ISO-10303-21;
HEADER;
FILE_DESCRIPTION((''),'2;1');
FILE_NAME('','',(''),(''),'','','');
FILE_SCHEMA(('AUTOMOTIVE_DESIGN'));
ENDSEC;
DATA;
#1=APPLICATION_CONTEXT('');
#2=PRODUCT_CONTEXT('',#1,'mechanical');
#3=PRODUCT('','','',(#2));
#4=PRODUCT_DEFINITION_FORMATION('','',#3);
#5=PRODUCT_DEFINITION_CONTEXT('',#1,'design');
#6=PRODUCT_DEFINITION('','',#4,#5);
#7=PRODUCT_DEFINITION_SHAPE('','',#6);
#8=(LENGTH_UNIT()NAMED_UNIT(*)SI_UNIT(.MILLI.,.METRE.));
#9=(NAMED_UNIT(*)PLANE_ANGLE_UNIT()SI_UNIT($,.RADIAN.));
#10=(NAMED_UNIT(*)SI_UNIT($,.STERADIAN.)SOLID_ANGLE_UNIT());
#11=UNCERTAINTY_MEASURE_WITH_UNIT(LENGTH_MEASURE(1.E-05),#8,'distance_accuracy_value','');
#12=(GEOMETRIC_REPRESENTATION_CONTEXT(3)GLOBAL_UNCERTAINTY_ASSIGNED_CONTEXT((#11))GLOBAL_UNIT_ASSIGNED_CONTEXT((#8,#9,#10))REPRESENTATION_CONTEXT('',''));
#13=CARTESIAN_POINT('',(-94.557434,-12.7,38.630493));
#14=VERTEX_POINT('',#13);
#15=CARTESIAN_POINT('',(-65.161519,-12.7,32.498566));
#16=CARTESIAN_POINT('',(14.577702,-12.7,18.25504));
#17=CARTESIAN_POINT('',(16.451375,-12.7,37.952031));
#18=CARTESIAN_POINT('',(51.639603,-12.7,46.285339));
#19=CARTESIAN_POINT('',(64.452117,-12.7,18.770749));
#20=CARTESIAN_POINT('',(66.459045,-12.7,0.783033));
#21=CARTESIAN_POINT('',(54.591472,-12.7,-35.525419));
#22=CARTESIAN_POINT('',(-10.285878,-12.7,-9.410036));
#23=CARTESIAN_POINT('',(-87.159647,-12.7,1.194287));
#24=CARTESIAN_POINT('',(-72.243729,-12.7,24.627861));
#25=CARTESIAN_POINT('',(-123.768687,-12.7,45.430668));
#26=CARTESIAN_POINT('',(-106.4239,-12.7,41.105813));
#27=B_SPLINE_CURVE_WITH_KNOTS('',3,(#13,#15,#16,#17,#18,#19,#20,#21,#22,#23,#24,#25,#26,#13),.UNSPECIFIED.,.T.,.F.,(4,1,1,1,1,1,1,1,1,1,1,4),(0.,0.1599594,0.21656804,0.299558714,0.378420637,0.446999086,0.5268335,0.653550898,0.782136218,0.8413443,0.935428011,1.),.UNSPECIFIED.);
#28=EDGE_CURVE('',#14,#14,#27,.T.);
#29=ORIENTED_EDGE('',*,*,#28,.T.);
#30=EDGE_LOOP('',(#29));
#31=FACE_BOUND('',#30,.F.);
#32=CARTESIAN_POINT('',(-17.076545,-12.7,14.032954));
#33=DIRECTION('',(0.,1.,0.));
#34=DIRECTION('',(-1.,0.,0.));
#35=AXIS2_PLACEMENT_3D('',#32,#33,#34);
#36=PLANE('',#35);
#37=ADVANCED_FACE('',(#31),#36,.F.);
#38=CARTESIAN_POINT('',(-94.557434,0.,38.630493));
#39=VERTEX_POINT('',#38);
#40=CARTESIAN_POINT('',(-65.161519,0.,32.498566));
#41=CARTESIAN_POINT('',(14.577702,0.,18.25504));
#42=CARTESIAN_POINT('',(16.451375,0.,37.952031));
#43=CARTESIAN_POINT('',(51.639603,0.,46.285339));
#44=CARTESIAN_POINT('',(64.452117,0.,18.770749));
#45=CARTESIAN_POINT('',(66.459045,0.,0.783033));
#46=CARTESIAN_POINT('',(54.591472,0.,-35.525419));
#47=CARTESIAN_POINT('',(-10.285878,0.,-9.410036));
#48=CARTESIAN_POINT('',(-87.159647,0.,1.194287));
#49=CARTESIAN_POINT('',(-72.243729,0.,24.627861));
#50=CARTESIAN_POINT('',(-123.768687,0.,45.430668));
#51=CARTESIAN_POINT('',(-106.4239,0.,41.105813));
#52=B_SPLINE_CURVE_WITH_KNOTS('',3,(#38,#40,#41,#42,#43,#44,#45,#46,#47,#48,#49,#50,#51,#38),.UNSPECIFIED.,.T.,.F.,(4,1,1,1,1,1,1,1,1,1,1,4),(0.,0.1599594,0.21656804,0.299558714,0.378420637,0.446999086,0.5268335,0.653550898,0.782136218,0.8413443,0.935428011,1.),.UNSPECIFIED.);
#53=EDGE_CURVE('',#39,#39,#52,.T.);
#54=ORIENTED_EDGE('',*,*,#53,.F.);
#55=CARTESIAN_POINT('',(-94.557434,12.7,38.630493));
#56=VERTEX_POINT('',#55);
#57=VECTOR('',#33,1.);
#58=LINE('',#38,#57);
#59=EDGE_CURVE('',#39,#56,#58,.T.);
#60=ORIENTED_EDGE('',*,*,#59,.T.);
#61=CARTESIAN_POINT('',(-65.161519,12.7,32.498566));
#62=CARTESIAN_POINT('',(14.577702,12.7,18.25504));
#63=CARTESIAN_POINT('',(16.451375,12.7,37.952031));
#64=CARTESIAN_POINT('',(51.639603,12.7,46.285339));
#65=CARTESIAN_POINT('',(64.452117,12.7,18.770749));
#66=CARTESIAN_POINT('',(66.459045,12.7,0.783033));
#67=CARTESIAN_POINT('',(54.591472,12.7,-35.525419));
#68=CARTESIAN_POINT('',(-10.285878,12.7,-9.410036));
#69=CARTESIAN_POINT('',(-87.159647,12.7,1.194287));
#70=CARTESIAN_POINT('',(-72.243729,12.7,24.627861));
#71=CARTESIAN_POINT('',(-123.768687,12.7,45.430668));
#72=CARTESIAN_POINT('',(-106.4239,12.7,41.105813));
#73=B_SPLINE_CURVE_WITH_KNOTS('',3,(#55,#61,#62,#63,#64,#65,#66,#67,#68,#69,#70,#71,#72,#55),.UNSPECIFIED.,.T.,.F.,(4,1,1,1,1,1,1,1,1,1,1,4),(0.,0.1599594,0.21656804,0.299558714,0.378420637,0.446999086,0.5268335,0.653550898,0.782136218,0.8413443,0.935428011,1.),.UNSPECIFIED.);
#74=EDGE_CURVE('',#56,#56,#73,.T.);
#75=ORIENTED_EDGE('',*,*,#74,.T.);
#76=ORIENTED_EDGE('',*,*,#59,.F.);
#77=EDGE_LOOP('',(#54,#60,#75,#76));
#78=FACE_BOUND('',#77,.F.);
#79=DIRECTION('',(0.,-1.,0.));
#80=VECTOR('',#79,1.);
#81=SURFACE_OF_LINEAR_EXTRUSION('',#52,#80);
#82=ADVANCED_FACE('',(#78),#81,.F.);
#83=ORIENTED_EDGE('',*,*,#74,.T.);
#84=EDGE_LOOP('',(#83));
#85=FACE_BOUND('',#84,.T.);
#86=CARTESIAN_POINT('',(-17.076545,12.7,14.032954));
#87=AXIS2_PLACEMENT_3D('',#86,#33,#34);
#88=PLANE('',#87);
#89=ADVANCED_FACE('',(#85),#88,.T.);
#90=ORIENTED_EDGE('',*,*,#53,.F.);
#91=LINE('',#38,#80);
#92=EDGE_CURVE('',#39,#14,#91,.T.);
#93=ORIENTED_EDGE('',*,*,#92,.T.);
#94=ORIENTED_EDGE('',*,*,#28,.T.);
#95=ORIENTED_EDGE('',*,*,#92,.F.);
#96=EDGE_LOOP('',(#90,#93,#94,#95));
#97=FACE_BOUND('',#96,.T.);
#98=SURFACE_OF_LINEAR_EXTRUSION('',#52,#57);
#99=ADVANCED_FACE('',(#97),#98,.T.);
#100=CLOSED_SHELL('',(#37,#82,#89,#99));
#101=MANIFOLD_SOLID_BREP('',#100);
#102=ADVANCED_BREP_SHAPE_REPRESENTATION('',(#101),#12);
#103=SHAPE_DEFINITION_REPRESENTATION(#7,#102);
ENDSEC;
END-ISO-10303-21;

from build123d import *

# Parameters (mm, degrees)
F1_DEPTH      = 12.7
F1_DEPTH_BACK = 12.7


with BuildPart() as f1:
    # F0 (on Front) → F1 (new body, two sides)
    with BuildSketch(Plane.XZ) as f1_sk:
        with BuildLine():
            add(Edge.make_bspline(
                [(-94.5574343204, 38.6304929852), (-65.1615191711, 32.4985664461), (14.5777016414, 18.2550401723), (16.4513749201, 37.9520314261), (51.6396026776, 46.2853392884), (64.452117389, 18.7707493181), (66.459045109, 0.7830334176), (54.5914723248, -35.5254190366), (-10.2858775845, -9.4100363368), (-87.1596470318, 1.194287215), (-72.2437294238, 24.6278606165), (-123.7686867094, 45.4306675111), (-106.4238999492, 41.1058129454), (-94.5574343204, 38.6304929852)],
                knots=[0, 0, 0, 0, 0.1599593998, 0.2165680397, 0.2995587144, 0.3784206374, 0.446999086, 0.5268335005, 0.653550898, 0.7821362178, 0.8413442995, 0.9354280107, 1, 1, 1, 1], degree=3))
        make_face()
    extrude(amount=F1_DEPTH)
    extrude(f1_sk.sketch, amount=-F1_DEPTH_BACK)


solid = f1.part
